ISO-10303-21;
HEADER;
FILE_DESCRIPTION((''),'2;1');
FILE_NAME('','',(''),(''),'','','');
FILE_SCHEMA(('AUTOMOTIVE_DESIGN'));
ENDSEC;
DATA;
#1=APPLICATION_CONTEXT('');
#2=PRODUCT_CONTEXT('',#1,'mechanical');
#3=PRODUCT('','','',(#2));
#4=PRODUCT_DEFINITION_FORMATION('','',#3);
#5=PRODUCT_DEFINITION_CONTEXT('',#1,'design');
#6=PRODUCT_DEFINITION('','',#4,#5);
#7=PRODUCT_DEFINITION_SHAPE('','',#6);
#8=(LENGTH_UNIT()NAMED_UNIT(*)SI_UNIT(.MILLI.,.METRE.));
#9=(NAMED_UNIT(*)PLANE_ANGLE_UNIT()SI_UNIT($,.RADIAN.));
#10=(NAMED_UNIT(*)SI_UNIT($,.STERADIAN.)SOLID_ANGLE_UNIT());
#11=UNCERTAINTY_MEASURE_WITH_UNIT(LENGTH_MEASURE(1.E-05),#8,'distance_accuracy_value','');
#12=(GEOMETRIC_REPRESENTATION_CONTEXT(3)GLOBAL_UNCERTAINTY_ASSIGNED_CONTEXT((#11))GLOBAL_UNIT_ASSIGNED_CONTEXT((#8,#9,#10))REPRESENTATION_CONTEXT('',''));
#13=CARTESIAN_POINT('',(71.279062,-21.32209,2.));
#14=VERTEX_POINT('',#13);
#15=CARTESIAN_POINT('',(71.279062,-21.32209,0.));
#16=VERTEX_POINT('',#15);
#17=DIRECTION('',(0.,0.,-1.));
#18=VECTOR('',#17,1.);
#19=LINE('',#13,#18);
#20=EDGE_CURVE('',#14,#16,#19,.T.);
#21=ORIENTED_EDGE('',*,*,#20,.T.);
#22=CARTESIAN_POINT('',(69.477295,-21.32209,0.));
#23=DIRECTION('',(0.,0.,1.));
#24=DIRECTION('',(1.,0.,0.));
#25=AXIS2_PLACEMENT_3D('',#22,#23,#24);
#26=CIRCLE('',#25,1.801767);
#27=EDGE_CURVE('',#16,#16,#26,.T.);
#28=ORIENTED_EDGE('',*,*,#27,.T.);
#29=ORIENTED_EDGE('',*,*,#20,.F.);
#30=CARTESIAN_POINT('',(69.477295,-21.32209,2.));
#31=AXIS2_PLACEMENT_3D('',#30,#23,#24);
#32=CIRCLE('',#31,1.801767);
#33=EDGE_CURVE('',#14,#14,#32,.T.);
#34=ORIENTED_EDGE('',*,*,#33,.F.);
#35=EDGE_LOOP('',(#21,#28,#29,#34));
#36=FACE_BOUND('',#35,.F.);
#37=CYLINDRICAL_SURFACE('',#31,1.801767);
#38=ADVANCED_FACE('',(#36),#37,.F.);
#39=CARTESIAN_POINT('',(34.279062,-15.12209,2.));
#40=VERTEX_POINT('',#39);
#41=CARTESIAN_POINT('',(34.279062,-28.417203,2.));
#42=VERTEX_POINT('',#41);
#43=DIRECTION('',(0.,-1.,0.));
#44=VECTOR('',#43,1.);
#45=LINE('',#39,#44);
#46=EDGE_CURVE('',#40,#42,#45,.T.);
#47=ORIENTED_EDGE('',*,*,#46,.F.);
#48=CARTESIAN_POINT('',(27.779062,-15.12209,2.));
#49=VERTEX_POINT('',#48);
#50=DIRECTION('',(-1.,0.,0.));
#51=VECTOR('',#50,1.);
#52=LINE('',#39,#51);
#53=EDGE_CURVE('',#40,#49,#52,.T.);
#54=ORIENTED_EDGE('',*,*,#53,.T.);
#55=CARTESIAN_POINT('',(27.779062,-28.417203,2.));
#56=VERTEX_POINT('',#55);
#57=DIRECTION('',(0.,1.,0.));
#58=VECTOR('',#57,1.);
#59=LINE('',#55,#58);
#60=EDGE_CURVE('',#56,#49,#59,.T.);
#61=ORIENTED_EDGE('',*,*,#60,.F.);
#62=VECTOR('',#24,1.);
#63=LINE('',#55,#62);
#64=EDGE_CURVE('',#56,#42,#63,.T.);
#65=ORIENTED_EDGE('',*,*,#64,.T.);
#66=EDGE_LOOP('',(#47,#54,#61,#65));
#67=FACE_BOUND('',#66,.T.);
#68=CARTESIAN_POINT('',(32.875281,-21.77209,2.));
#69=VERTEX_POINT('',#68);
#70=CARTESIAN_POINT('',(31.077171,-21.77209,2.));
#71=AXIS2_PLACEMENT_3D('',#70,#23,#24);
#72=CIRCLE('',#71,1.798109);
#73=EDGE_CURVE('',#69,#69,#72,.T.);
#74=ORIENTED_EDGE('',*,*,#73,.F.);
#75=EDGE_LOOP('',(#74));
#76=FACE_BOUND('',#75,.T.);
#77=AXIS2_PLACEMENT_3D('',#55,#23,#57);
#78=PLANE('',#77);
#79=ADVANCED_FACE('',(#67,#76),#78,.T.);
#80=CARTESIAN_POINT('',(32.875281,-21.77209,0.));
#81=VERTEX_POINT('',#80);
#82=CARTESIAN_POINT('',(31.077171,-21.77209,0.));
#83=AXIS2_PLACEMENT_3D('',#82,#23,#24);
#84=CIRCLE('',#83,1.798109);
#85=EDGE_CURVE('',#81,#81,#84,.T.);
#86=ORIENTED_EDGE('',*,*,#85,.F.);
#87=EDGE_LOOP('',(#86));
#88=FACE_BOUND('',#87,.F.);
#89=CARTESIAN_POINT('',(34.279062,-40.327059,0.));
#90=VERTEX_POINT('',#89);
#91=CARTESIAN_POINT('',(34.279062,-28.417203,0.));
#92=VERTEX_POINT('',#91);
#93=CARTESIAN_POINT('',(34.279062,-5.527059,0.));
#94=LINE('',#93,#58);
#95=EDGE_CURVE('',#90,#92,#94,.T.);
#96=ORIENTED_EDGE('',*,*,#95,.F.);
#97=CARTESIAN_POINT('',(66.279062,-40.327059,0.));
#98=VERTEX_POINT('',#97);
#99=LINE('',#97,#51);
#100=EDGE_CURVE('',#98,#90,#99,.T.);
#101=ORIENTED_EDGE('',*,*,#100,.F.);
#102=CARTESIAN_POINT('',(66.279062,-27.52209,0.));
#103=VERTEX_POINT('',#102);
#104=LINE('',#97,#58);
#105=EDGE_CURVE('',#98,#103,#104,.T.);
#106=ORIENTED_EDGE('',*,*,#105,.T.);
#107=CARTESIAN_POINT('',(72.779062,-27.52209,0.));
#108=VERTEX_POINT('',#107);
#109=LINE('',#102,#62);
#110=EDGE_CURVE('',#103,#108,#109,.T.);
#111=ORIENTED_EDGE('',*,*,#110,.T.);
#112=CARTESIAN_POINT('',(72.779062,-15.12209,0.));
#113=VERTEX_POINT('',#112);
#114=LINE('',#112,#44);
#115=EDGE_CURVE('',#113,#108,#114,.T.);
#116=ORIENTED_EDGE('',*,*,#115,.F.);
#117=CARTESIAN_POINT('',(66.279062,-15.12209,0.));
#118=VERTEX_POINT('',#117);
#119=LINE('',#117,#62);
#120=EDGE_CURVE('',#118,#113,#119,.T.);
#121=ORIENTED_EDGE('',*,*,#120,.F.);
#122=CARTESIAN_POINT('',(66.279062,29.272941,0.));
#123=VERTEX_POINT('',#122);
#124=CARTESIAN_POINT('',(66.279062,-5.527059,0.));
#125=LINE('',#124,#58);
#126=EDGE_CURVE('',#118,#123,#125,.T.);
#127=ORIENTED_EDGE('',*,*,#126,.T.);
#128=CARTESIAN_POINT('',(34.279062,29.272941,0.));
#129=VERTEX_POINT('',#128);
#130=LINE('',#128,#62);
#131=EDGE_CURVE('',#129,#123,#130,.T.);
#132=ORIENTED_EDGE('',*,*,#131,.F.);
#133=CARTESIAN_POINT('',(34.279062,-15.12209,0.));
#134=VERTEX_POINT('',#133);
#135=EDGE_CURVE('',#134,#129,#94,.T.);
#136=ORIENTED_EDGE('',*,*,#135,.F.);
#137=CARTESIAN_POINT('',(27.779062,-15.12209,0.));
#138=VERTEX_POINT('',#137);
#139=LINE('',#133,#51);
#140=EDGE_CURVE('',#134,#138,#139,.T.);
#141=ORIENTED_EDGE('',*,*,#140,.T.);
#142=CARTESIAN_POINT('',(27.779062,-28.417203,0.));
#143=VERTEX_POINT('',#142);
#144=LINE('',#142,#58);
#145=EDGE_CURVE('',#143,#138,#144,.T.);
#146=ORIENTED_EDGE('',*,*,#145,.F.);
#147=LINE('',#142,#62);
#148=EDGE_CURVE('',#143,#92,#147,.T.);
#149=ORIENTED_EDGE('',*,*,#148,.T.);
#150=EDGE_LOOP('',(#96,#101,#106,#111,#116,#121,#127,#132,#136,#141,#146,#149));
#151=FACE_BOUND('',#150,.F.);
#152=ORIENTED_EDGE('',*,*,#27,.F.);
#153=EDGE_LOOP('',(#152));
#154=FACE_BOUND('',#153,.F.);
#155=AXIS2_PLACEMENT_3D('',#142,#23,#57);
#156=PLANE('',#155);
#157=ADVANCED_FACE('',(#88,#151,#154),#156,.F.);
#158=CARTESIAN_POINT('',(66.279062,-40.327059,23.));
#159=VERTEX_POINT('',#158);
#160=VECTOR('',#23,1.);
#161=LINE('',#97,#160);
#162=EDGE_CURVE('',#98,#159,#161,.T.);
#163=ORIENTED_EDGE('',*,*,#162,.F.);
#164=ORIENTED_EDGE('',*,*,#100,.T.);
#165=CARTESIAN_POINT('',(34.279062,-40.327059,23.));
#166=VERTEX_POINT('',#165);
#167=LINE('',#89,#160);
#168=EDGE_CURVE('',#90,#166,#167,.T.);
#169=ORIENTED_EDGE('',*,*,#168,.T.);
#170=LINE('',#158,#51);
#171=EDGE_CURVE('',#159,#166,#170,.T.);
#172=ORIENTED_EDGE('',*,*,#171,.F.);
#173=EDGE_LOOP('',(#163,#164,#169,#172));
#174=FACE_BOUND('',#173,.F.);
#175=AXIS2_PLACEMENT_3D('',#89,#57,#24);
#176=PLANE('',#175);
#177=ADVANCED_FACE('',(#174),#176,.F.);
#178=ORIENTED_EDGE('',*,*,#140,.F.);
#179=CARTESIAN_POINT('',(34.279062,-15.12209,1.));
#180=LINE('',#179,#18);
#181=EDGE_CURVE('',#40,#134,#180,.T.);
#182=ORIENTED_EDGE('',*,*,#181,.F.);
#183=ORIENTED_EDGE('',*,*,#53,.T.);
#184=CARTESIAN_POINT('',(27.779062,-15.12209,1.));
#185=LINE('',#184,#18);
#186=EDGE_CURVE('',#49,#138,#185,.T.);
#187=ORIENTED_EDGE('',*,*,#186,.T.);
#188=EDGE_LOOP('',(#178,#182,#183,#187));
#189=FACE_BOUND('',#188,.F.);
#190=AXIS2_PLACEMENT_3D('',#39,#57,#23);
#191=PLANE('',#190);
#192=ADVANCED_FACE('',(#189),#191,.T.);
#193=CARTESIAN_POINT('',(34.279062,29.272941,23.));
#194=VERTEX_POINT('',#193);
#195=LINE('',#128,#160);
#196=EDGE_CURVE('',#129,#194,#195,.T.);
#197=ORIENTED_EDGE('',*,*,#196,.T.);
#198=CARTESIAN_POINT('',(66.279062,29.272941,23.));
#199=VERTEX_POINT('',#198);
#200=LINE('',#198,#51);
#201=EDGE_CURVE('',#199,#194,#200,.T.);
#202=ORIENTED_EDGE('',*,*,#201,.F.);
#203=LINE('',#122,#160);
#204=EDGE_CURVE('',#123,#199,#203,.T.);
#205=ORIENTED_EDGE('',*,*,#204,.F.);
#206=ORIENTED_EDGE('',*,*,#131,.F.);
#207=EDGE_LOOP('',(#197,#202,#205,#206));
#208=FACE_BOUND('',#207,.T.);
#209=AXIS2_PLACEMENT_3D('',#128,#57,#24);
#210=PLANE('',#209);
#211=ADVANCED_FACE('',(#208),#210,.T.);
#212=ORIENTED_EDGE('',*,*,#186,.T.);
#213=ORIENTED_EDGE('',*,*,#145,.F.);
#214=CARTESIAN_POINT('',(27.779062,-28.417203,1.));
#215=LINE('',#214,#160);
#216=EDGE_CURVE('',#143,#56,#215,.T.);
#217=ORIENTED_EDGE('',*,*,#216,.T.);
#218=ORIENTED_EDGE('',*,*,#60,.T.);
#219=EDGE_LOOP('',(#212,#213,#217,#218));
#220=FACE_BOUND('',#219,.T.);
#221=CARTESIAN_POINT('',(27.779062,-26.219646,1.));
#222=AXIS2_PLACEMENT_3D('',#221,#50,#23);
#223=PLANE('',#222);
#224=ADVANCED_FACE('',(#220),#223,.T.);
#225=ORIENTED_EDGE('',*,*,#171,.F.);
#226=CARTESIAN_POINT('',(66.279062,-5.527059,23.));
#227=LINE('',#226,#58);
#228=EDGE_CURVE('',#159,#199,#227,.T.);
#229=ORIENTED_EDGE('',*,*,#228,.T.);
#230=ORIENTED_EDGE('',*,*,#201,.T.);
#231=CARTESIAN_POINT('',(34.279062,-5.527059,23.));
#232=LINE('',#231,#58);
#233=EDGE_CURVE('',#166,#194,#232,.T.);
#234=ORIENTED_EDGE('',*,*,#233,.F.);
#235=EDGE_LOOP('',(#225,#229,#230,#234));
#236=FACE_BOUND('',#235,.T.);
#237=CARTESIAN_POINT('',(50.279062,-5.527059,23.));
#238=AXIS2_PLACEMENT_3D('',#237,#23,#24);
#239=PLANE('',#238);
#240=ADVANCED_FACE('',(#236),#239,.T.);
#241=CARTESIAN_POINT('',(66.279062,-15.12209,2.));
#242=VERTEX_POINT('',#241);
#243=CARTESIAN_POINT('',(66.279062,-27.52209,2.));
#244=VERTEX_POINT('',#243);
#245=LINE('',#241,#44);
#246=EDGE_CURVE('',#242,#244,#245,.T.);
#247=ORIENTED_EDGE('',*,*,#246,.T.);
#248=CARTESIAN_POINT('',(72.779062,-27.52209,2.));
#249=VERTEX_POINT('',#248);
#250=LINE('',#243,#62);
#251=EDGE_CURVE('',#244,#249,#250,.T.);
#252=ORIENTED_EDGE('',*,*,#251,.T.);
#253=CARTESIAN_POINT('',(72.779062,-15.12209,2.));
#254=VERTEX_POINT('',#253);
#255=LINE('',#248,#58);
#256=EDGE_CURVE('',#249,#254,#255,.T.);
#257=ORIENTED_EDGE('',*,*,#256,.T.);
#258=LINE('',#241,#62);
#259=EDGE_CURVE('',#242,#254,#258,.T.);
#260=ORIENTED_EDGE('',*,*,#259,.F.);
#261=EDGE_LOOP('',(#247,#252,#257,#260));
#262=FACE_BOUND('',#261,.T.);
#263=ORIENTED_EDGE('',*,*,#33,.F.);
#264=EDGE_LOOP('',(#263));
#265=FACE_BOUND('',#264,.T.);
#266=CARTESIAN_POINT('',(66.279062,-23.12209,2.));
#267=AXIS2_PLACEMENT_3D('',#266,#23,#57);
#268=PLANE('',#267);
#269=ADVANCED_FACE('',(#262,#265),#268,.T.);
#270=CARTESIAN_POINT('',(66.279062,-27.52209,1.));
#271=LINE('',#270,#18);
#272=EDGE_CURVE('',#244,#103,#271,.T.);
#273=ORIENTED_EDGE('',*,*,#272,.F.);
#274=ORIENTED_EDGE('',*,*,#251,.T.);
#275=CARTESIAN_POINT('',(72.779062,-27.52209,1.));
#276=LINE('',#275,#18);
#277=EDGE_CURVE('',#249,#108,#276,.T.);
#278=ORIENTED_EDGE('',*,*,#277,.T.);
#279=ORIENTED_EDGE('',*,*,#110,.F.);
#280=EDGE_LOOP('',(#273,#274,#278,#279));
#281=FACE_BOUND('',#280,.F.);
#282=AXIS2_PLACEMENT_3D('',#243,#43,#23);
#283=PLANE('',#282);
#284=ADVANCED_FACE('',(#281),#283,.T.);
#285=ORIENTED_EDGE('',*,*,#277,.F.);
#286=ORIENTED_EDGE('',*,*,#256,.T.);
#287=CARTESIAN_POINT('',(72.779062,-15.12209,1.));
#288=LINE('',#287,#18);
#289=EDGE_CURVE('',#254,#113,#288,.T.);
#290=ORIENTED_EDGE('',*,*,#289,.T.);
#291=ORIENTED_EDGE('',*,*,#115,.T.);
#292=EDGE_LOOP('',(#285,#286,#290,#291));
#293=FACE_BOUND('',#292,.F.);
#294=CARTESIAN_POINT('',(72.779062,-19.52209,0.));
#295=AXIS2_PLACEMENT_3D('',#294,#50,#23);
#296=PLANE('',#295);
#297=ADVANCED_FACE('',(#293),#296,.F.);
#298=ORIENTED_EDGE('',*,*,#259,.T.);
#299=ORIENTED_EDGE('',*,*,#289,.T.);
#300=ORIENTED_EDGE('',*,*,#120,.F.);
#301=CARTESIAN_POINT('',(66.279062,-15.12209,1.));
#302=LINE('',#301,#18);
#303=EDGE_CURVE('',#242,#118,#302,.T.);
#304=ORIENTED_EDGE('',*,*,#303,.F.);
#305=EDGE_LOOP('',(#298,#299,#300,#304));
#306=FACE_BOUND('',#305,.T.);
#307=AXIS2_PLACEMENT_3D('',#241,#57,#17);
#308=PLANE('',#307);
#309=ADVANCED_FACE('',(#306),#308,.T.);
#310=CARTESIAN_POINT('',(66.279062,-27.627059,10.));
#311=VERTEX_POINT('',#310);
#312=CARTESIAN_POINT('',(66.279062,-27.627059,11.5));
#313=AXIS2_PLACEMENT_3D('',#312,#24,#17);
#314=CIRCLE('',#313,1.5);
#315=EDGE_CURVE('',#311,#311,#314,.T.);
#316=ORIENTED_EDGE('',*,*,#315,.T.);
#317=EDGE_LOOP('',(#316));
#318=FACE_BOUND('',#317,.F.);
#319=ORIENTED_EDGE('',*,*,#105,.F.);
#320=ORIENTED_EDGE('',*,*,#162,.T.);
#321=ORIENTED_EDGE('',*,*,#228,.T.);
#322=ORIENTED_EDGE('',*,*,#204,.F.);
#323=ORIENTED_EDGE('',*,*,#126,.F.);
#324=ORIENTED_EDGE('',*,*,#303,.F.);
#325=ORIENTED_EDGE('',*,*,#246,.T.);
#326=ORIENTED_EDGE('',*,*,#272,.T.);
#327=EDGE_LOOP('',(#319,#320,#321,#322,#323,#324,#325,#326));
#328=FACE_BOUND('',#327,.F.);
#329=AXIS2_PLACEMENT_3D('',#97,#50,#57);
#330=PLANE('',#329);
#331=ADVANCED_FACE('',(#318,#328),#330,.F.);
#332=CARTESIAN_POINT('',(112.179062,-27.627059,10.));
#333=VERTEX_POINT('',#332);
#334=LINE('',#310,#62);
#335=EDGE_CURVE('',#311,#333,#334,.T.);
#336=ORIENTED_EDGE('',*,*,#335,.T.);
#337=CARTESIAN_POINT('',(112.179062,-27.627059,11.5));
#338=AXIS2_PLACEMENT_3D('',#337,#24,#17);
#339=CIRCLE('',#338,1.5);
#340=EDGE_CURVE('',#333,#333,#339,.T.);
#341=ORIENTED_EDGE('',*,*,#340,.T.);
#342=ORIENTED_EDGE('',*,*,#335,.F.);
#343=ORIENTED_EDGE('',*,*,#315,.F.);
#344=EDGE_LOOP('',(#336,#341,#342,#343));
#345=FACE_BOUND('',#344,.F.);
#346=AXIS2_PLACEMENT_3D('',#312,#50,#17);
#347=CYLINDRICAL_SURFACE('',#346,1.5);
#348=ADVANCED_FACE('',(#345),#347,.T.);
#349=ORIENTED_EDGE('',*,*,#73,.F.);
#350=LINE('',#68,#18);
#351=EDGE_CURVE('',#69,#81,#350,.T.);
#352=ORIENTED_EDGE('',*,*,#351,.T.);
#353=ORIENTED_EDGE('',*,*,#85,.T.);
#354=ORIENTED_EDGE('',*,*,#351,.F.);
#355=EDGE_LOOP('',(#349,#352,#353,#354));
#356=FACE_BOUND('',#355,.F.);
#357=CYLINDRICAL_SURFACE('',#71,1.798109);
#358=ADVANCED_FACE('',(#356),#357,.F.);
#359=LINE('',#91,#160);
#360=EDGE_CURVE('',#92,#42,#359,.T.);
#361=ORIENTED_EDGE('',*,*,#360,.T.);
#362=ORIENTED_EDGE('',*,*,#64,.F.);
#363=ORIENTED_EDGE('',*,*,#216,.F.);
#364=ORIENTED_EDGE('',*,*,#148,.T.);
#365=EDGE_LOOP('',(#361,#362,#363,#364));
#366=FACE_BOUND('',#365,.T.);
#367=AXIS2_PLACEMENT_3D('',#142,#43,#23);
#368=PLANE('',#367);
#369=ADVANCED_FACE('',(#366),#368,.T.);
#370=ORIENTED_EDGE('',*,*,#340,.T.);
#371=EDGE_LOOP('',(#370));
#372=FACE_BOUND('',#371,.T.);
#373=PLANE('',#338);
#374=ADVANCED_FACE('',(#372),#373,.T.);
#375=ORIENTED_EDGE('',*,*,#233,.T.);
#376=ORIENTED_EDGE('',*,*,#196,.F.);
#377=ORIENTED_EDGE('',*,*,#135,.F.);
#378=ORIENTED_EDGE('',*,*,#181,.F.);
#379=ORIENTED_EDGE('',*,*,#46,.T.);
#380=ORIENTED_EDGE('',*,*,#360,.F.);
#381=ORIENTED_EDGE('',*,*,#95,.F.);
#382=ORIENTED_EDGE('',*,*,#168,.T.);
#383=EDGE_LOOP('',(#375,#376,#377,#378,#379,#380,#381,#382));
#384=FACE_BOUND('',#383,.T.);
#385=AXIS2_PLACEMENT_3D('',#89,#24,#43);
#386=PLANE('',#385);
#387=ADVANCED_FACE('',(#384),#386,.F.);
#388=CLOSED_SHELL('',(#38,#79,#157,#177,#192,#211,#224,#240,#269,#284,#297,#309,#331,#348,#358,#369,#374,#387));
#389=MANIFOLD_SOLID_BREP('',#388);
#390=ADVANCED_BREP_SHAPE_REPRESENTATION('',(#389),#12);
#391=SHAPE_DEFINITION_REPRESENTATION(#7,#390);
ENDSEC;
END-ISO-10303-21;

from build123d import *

# Parameters (mm, degrees)
SKETCH_1_W          = 32
SKETCH_1_H          = 69.6
EXTRUDE_1_DEPTH     = 23
SKETCH_2_R          = 1.5
EXTRUDE_2_DEPTH     = 45.9
SKETCH_3_W          = 2
SKETCH_3_H          = 3.6
EXTRUDE_3_DEPTH     = 4.5
SKETCH_5_W          = 16
SKETCH_5_H          = 23
CUT_EXTRUDE_1_DEPTH = 71.5
SKETCH_6_W          = 4.5
SKETCH_6_H          = 3.6
CUT_EXTRUDE_2_DEPTH = 1
SKETCH_7_W          = 2
SKETCH_7_H          = 4.4
EXTRUDE_4_DEPTH     = 6.5
SKETCH_9_W          = 1
SKETCH_9_H          = 1.8
CUT_EXTRUDE_3_DEPTH = 4.5
SKETCH_10_W         = 1.5
SKETCH_10_H         = 2
EXTRUDE_5_DEPTH     = 4.5
SKETCH_12_W         = 2
SKETCH_12_H         = 4.395113111
EXTRUDE_6_DEPTH     = 7.5
SKETCH_15_W         = 2
SKETCH_15_H         = 3.6
EXTRUDE_7_DEPTH     = 6
SKETCH_14_R         = 1.801767182
CUT_EXTRUDE_4_DEPTH = 6
SKETCH_17_W         = 2
SKETCH_17_H         = 4.5
EXTRUDE_8_DEPTH     = 6
SKETCH_16_R         = 1.798109405
CUT_EXTRUDE_5_DEPTH = 6
SKETCH_18_R         = 1.5
CUT_EXTRUDE_6_DEPTH = 45.9


with BuildPart() as part:
    # ｽｹｯﾁ1 → ﾎﾞｽ - 押し出し1 (new body)
    with BuildSketch(Plane.XY):
        with Locations((50.279062003, -5.527058824)):
            Rectangle(SKETCH_1_W, SKETCH_1_H)
    extrude_1 = extrude(amount=EXTRUDE_1_DEPTH)

    # ｽｹｯﾁ2 → ﾎﾞｽ - 押し出し2 (add)
    with BuildSketch(Plane(origin=(66.279062003, 0, 0), x_dir=(0, 0, -1), z_dir=(1, 0, 0))):
        with Locations((-11.5, -27.627058824)):
            Circle(SKETCH_2_R)
    extrude_2 = extrude(amount=EXTRUDE_2_DEPTH)

    # ｽｹｯﾁ3 → ﾎﾞｽ - 押し出し3 (add)
    with BuildSketch(Plane(origin=(66.279062003, 0, 0), x_dir=(0, 0, -1), z_dir=(1, 0, 0))):
        with Locations((-1, -21.322089651)):
            Rectangle(SKETCH_3_W, SKETCH_3_H)
    extrude(amount=EXTRUDE_3_DEPTH)

    # ｽｹｯﾁ5 → ｶｯﾄ - 押し出し1 (cut)
    with BuildSketch(Plane(origin=(0, 29.272941176, 0), x_dir=(1, 0, 0), z_dir=(0, 1, 0))):
        with Locations((42.279062003, -11.5)):
            Rectangle(SKETCH_5_W, SKETCH_5_H)
    extrude(amount=-CUT_EXTRUDE_1_DEPTH, mode=Mode.SUBTRACT)

    # ｽｹｯﾁ6 → ｶｯﾄ - 押し出し2 (cut)
    with BuildSketch(Plane.XY.offset(2)):
        with Locations((68.529062003, -21.322089651)):
            Rectangle(SKETCH_6_W, SKETCH_6_H)
    extrude(amount=-CUT_EXTRUDE_2_DEPTH, mode=Mode.SUBTRACT)

    # ｽｹｯﾁ7 → ﾎﾞｽ - 押し出し4 (add)
    with BuildSketch(Plane(origin=(66.279062003, 0, 0), x_dir=(0, 0, -1), z_dir=(1, 0, 0))):
        with Locations((-1, -17.322089651)):
            Rectangle(SKETCH_7_W, SKETCH_7_H)
    extrude_4 = extrude(amount=EXTRUDE_4_DEPTH)

    # ｽｹｯﾁ9 → ｶｯﾄ - 押し出し3 (cut)
    with BuildSketch(Plane(origin=(70.779062003, 0, 0), x_dir=(0, 0, -1), z_dir=(1, 0, 0))):
        with Locations((-0.5, -22.222089651)):
            Rectangle(SKETCH_9_W, SKETCH_9_H)
    cut_extrude_3 = extrude(amount=-CUT_EXTRUDE_3_DEPTH, mode=Mode.SUBTRACT)

    # ﾐﾗｰ4: ﾎﾞｽ - 押し出し4, ｶｯﾄ - 押し出し3 across plane
    add(extrude_4.mirror(Plane(origin=(66.279062003, -21.322089651, 1), x_dir=(0, 0, 1), z_dir=(0, 1, 0))))
    add(cut_extrude_3.mirror(Plane(origin=(66.279062003, -21.322089651, 1), x_dir=(0, 0, 1), z_dir=(0, 1, 0))), mode=Mode.SUBTRACT)

    # ｽｹｯﾁ10 → ﾎﾞｽ - 押し出し5 (add)
    with BuildSketch(Plane.XZ.offset(19.522089651)):
        with Locations((72.029062003, 1)):
            Rectangle(SKETCH_10_W, SKETCH_10_H)
    extrude_5 = extrude(amount=EXTRUDE_5_DEPTH)

    # ﾐﾗｰ25: ﾎﾞｽ - 押し出し1, ﾎﾞｽ - 押し出し2, ﾎﾞｽ - 押し出し4, ﾎﾞｽ - 押し出し5 across plane
    add(extrude_1.mirror(Plane(origin=(50.279062003, -42.227058824, 0), x_dir=(0, 0, 1), z_dir=(1, 0, 0))))
    add(extrude_2.mirror(Plane(origin=(50.279062003, -42.227058824, 0), x_dir=(0, 0, 1), z_dir=(1, 0, 0))))
    add(extrude_4.mirror(Plane(origin=(50.279062003, -42.227058824, 0), x_dir=(0, 0, 1), z_dir=(1, 0, 0))))
    add(extrude_5.mirror(Plane(origin=(50.279062003, -42.227058824, 0), x_dir=(0, 0, 1), z_dir=(1, 0, 0))))

    # ｽｹｯﾁ12 → ﾎﾞｽ - 押し出し6 (add)
    with BuildSketch(Plane.ZY.offset(-27.779062003)):
        with Locations((1, -26.219646207)):
            Rectangle(SKETCH_12_W, SKETCH_12_H)
    extrude(amount=-EXTRUDE_6_DEPTH)

    # ｽｹｯﾁ15 → ﾎﾞｽ - 押し出し7 (add)
    with BuildSketch(Plane(origin=(66.279062003, 0, 0), x_dir=(0, 0, -1), z_dir=(1, 0, 0))):
        with Locations((-1, -21.322089651)):
            Rectangle(SKETCH_15_W, SKETCH_15_H)
    extrude(amount=EXTRUDE_7_DEPTH)

    # ｽｹｯﾁ14 → ｶｯﾄ - 押し出し4 (cut)
    with BuildSketch(Plane.XY.offset(2)):
        with Locations((69.477294821, -21.322089651)):
            Circle(SKETCH_14_R)
    extrude(amount=-CUT_EXTRUDE_4_DEPTH, mode=Mode.SUBTRACT)

    # ｽｹｯﾁ17 → ﾎﾞｽ - 押し出し8 (add)
    with BuildSketch(Plane.ZY.offset(-34.279062003)):
        with Locations((1, -21.772089651)):
            Rectangle(SKETCH_17_W, SKETCH_17_H)
    extrude(amount=EXTRUDE_8_DEPTH)

    # ｽｹｯﾁ16 → ｶｯﾄ - 押し出し5 (cut)
    with BuildSketch(Plane.XY.offset(2)):
        with Locations((31.077171408, -21.772089651)):
            Circle(SKETCH_16_R)
    extrude(amount=-CUT_EXTRUDE_5_DEPTH, mode=Mode.SUBTRACT)

    # ｽｹｯﾁ18 → ｶｯﾄ - 押し出し6 (cut)
    with BuildSketch(Plane.ZY.offset(11.620937997)):
        with Locations((11.5, -27.627058824)):
            Circle(SKETCH_18_R)
    extrude(amount=-CUT_EXTRUDE_6_DEPTH, mode=Mode.SUBTRACT)


solid = part.part
